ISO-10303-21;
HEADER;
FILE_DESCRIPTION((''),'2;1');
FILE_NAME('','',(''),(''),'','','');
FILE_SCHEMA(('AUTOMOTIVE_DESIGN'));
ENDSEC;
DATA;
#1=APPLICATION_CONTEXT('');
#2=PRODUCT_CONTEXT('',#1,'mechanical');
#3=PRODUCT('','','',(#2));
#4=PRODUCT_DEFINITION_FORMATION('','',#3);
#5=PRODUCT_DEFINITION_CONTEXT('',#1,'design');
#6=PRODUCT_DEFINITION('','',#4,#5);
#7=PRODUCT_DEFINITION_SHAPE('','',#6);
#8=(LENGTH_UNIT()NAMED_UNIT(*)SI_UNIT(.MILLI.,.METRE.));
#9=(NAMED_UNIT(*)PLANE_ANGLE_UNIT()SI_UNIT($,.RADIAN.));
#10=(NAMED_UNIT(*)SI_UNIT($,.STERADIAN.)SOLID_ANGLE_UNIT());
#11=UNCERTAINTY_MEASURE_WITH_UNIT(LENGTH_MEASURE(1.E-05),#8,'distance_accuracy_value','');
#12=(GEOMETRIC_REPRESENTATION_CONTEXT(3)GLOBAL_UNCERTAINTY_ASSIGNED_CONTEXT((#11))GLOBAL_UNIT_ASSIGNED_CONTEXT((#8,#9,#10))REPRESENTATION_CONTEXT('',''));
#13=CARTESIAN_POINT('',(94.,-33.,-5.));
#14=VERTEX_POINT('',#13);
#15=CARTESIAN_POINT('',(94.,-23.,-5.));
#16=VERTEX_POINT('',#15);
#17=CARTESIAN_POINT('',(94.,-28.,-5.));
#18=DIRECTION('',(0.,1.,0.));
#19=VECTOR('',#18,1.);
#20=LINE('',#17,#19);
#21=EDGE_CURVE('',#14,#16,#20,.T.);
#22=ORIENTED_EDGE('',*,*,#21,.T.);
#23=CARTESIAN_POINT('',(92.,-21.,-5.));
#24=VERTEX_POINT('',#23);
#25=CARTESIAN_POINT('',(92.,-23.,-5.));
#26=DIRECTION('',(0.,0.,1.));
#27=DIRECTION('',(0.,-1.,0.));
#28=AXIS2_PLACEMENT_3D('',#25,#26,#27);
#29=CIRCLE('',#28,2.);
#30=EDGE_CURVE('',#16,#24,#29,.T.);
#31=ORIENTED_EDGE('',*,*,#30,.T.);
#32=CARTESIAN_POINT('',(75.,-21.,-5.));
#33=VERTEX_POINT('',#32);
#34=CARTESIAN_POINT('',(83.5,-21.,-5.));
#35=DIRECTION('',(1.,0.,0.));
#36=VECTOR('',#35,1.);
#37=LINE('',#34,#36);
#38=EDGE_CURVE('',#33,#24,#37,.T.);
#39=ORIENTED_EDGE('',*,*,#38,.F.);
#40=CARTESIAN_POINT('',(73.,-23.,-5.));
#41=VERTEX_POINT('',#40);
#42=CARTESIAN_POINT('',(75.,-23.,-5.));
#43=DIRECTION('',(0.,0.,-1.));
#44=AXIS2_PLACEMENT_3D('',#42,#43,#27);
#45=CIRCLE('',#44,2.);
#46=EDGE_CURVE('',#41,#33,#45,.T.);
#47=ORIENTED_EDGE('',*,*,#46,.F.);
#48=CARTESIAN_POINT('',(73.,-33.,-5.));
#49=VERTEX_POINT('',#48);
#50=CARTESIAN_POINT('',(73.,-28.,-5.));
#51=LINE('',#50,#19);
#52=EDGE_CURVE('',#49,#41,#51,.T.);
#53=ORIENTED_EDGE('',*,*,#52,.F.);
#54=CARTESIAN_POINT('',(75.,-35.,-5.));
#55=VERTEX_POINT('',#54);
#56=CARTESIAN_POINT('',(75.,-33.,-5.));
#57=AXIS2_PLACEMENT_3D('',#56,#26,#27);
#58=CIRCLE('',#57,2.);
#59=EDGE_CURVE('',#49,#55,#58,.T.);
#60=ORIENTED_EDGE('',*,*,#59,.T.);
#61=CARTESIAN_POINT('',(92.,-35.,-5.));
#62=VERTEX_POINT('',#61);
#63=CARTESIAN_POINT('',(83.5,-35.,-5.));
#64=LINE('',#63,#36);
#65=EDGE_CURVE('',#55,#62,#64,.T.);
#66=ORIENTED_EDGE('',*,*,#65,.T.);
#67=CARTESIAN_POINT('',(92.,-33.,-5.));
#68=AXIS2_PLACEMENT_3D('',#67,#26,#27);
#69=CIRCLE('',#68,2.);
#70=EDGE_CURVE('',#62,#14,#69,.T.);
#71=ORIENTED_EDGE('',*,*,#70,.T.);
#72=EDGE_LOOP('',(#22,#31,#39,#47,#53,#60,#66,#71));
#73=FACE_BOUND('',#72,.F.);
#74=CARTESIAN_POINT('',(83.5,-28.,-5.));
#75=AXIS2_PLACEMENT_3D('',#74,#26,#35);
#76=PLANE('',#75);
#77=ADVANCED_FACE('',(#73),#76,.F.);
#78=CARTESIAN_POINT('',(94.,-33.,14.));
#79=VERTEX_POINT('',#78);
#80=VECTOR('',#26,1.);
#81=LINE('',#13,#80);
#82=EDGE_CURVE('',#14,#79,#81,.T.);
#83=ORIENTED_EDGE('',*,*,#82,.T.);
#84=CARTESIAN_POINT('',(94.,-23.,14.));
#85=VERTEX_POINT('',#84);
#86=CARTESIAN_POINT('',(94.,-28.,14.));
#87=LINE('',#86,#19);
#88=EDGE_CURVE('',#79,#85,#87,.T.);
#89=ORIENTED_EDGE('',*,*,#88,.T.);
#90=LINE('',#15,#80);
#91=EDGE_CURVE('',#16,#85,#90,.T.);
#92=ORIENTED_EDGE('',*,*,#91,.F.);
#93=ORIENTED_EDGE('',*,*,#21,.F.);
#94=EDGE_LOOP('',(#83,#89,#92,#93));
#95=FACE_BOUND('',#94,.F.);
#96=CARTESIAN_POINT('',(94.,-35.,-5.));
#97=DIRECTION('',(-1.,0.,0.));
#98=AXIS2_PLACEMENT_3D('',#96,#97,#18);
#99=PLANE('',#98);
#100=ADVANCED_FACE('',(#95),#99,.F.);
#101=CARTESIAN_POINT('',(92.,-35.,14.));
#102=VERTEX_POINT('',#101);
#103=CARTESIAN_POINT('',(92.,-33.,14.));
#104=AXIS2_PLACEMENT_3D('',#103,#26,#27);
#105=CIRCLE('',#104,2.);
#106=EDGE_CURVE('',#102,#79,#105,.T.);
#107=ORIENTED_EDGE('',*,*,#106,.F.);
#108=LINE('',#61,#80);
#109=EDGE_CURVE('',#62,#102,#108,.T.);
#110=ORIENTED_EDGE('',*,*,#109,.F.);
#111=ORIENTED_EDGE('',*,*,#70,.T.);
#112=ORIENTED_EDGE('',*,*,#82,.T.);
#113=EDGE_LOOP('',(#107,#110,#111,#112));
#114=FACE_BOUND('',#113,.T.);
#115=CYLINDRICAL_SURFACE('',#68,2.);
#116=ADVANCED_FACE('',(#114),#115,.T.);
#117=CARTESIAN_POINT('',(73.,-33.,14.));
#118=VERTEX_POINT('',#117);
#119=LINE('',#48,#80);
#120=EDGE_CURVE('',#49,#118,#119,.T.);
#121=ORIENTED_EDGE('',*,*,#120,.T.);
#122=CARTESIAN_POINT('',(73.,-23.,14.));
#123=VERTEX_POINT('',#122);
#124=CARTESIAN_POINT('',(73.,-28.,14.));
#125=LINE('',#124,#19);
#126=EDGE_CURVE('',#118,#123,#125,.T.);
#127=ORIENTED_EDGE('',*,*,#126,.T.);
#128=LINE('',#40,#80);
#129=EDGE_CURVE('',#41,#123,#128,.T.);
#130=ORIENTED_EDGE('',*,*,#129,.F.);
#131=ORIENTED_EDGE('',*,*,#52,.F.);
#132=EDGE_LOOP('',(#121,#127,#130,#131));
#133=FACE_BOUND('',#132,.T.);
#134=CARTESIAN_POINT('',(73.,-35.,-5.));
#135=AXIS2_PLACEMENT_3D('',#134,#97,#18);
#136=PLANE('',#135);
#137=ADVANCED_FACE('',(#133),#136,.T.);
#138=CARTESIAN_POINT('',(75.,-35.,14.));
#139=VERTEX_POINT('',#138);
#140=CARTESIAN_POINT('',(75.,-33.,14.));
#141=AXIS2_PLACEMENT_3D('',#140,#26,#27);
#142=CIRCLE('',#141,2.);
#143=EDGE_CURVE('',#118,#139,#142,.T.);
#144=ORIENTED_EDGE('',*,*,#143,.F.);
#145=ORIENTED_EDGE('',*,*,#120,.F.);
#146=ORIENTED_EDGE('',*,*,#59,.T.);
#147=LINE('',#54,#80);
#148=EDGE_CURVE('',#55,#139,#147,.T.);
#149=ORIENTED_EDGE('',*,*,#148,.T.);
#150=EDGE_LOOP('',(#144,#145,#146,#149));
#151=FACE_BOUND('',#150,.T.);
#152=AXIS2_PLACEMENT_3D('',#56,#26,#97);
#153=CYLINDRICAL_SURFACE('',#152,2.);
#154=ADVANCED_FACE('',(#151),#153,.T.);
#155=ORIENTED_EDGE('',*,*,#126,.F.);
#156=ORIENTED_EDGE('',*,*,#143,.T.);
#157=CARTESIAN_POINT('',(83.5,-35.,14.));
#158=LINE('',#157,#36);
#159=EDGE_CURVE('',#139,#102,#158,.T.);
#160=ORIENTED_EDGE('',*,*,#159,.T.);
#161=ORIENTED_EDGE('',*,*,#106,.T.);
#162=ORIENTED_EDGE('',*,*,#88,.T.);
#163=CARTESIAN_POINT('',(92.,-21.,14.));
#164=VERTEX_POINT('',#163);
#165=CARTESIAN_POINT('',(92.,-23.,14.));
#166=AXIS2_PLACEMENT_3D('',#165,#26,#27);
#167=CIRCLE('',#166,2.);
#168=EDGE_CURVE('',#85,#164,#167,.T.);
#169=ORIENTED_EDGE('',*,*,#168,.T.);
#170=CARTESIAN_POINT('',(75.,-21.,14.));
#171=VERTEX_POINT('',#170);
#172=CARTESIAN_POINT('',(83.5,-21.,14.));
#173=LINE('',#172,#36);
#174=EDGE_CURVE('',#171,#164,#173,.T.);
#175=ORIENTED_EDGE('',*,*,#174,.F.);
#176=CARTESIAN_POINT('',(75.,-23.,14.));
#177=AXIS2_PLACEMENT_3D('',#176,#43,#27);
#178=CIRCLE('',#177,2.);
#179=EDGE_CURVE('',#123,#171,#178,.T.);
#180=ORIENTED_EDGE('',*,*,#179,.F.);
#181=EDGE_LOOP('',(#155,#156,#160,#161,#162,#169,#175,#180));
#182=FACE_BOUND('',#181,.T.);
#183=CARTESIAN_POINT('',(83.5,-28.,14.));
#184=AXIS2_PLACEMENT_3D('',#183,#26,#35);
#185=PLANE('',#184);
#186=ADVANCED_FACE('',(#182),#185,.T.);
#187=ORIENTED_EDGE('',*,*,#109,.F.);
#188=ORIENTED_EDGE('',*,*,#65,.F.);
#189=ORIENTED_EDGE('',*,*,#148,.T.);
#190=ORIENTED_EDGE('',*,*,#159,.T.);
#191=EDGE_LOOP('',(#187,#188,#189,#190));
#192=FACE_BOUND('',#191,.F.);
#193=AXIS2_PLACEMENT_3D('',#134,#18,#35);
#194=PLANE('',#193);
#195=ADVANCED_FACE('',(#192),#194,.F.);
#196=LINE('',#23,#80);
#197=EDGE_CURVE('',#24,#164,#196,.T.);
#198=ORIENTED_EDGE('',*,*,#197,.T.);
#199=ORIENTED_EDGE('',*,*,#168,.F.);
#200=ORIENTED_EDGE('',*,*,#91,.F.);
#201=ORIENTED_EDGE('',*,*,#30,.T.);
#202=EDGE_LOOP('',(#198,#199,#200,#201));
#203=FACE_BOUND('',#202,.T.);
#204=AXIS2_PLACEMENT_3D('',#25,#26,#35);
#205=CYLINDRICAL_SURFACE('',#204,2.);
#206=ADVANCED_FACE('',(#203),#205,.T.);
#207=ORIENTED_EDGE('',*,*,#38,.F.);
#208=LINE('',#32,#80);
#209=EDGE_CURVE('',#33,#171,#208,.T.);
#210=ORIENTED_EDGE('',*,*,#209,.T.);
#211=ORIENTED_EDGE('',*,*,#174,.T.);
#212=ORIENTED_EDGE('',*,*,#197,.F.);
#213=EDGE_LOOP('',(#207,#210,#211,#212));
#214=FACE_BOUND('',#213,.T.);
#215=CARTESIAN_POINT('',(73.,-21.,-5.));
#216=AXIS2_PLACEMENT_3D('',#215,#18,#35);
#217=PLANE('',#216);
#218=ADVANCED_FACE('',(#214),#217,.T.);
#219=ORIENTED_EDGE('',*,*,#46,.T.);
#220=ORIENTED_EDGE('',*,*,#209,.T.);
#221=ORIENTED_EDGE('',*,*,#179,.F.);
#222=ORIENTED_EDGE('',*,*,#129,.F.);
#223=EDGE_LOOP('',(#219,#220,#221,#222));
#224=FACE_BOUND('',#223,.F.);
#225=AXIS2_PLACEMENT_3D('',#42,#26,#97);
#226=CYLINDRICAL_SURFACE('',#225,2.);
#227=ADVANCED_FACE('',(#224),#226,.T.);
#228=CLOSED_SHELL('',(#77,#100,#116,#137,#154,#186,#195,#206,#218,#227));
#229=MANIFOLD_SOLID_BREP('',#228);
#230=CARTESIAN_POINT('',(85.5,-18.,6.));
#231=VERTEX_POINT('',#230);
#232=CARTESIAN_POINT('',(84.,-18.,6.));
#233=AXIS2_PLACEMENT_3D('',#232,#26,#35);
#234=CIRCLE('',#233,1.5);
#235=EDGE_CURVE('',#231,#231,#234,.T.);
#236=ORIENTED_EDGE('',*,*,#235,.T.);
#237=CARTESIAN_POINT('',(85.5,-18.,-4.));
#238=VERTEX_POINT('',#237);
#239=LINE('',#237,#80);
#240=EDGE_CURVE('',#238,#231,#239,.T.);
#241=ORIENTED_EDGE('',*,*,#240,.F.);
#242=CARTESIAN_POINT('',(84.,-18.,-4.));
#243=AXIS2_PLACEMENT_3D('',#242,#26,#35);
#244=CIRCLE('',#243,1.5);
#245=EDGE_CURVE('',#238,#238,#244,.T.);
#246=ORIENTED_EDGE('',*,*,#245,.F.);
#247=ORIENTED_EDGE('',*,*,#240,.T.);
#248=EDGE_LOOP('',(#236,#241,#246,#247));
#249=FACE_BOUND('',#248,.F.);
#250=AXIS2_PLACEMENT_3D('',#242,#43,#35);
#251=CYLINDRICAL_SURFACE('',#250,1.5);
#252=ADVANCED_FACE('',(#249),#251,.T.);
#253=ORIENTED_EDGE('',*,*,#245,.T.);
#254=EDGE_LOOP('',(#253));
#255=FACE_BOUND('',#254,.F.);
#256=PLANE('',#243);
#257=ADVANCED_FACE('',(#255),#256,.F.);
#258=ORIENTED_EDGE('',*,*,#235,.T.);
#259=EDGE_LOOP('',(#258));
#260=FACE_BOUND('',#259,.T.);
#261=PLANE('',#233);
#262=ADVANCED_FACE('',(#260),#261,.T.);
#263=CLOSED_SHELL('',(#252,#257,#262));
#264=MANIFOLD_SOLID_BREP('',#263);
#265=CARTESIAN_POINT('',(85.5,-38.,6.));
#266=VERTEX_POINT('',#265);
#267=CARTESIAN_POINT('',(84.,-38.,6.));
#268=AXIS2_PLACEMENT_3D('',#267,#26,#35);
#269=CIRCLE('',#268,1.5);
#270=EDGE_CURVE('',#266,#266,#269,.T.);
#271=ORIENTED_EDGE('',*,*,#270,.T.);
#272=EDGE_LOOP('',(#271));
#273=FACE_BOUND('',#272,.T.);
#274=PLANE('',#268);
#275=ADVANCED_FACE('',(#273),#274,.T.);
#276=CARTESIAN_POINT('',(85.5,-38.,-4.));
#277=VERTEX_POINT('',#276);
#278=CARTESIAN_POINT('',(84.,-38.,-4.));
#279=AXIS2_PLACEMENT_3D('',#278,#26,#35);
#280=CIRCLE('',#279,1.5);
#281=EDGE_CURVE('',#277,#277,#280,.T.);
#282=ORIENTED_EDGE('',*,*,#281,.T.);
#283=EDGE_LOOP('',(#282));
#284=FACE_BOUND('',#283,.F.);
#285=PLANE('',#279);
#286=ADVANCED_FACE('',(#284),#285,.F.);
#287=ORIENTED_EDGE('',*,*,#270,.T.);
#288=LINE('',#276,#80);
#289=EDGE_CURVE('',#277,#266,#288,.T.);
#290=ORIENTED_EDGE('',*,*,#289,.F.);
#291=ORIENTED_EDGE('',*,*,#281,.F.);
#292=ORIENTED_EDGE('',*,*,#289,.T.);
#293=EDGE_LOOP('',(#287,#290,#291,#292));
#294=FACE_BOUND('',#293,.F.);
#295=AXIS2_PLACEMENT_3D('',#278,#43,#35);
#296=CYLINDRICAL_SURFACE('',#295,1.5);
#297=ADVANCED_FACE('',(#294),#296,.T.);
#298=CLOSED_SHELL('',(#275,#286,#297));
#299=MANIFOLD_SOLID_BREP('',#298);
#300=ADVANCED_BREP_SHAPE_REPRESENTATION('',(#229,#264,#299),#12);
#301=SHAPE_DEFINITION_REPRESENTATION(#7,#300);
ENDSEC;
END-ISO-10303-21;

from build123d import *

# Parameters (mm, degrees)
CYLINDER040_R     = 1.5
CYLINDER040_DEPTH = 10
CYLINDER039_R     = 1.5
CYLINDER039_DEPTH = 10
BOX043_W          = 21
BOX043_H          = 14
BOX043_DEPTH      = 19
FILLET001_R       = 2


with BuildPart() as cilindro003:
    # Cylinder040 → Cylinder040 (new body)
    with BuildSketch(Plane(origin=(84, -18, -4), x_dir=(1, 0, 0), z_dir=(0, 0, 1))):
        Circle(CYLINDER040_R)
    extrude(amount=CYLINDER040_DEPTH)


with BuildPart() as cilindro002:
    # Cylinder039 → Cylinder039 (new body)
    with BuildSketch(Plane(origin=(84, -38, -4), x_dir=(1, 0, 0), z_dir=(0, 0, 1))):
        Circle(CYLINDER039_R)
    extrude(amount=CYLINDER039_DEPTH)


with BuildPart() as plantillahuecosensor:
    # Box043 → Box043 (new body)
    with BuildSketch(Plane(origin=(73, -35, -5), x_dir=(1, 0, 0), z_dir=(0, 0, 1))):
        with Locations((10.5, 7)):
            Rectangle(BOX043_W, BOX043_H)
    extrude(amount=BOX043_DEPTH)

    # Fusion039: union Cilindro003, Cilindro002
    add(cilindro003.part)
    add(cilindro002.part)

    # Fillet001
    fillet001_edges = [plantillahuecosensor.edges().sort_by_distance(p)[0] for p in [
        (73, -35, 4.5),
        (73, -21, 4.5),
        (94, -35, 4.5),
        (94, -21, 4.5),
    ]]
    fillet(fillet001_edges, radius=FILLET001_R)


solid = plantillahuecosensor.part
